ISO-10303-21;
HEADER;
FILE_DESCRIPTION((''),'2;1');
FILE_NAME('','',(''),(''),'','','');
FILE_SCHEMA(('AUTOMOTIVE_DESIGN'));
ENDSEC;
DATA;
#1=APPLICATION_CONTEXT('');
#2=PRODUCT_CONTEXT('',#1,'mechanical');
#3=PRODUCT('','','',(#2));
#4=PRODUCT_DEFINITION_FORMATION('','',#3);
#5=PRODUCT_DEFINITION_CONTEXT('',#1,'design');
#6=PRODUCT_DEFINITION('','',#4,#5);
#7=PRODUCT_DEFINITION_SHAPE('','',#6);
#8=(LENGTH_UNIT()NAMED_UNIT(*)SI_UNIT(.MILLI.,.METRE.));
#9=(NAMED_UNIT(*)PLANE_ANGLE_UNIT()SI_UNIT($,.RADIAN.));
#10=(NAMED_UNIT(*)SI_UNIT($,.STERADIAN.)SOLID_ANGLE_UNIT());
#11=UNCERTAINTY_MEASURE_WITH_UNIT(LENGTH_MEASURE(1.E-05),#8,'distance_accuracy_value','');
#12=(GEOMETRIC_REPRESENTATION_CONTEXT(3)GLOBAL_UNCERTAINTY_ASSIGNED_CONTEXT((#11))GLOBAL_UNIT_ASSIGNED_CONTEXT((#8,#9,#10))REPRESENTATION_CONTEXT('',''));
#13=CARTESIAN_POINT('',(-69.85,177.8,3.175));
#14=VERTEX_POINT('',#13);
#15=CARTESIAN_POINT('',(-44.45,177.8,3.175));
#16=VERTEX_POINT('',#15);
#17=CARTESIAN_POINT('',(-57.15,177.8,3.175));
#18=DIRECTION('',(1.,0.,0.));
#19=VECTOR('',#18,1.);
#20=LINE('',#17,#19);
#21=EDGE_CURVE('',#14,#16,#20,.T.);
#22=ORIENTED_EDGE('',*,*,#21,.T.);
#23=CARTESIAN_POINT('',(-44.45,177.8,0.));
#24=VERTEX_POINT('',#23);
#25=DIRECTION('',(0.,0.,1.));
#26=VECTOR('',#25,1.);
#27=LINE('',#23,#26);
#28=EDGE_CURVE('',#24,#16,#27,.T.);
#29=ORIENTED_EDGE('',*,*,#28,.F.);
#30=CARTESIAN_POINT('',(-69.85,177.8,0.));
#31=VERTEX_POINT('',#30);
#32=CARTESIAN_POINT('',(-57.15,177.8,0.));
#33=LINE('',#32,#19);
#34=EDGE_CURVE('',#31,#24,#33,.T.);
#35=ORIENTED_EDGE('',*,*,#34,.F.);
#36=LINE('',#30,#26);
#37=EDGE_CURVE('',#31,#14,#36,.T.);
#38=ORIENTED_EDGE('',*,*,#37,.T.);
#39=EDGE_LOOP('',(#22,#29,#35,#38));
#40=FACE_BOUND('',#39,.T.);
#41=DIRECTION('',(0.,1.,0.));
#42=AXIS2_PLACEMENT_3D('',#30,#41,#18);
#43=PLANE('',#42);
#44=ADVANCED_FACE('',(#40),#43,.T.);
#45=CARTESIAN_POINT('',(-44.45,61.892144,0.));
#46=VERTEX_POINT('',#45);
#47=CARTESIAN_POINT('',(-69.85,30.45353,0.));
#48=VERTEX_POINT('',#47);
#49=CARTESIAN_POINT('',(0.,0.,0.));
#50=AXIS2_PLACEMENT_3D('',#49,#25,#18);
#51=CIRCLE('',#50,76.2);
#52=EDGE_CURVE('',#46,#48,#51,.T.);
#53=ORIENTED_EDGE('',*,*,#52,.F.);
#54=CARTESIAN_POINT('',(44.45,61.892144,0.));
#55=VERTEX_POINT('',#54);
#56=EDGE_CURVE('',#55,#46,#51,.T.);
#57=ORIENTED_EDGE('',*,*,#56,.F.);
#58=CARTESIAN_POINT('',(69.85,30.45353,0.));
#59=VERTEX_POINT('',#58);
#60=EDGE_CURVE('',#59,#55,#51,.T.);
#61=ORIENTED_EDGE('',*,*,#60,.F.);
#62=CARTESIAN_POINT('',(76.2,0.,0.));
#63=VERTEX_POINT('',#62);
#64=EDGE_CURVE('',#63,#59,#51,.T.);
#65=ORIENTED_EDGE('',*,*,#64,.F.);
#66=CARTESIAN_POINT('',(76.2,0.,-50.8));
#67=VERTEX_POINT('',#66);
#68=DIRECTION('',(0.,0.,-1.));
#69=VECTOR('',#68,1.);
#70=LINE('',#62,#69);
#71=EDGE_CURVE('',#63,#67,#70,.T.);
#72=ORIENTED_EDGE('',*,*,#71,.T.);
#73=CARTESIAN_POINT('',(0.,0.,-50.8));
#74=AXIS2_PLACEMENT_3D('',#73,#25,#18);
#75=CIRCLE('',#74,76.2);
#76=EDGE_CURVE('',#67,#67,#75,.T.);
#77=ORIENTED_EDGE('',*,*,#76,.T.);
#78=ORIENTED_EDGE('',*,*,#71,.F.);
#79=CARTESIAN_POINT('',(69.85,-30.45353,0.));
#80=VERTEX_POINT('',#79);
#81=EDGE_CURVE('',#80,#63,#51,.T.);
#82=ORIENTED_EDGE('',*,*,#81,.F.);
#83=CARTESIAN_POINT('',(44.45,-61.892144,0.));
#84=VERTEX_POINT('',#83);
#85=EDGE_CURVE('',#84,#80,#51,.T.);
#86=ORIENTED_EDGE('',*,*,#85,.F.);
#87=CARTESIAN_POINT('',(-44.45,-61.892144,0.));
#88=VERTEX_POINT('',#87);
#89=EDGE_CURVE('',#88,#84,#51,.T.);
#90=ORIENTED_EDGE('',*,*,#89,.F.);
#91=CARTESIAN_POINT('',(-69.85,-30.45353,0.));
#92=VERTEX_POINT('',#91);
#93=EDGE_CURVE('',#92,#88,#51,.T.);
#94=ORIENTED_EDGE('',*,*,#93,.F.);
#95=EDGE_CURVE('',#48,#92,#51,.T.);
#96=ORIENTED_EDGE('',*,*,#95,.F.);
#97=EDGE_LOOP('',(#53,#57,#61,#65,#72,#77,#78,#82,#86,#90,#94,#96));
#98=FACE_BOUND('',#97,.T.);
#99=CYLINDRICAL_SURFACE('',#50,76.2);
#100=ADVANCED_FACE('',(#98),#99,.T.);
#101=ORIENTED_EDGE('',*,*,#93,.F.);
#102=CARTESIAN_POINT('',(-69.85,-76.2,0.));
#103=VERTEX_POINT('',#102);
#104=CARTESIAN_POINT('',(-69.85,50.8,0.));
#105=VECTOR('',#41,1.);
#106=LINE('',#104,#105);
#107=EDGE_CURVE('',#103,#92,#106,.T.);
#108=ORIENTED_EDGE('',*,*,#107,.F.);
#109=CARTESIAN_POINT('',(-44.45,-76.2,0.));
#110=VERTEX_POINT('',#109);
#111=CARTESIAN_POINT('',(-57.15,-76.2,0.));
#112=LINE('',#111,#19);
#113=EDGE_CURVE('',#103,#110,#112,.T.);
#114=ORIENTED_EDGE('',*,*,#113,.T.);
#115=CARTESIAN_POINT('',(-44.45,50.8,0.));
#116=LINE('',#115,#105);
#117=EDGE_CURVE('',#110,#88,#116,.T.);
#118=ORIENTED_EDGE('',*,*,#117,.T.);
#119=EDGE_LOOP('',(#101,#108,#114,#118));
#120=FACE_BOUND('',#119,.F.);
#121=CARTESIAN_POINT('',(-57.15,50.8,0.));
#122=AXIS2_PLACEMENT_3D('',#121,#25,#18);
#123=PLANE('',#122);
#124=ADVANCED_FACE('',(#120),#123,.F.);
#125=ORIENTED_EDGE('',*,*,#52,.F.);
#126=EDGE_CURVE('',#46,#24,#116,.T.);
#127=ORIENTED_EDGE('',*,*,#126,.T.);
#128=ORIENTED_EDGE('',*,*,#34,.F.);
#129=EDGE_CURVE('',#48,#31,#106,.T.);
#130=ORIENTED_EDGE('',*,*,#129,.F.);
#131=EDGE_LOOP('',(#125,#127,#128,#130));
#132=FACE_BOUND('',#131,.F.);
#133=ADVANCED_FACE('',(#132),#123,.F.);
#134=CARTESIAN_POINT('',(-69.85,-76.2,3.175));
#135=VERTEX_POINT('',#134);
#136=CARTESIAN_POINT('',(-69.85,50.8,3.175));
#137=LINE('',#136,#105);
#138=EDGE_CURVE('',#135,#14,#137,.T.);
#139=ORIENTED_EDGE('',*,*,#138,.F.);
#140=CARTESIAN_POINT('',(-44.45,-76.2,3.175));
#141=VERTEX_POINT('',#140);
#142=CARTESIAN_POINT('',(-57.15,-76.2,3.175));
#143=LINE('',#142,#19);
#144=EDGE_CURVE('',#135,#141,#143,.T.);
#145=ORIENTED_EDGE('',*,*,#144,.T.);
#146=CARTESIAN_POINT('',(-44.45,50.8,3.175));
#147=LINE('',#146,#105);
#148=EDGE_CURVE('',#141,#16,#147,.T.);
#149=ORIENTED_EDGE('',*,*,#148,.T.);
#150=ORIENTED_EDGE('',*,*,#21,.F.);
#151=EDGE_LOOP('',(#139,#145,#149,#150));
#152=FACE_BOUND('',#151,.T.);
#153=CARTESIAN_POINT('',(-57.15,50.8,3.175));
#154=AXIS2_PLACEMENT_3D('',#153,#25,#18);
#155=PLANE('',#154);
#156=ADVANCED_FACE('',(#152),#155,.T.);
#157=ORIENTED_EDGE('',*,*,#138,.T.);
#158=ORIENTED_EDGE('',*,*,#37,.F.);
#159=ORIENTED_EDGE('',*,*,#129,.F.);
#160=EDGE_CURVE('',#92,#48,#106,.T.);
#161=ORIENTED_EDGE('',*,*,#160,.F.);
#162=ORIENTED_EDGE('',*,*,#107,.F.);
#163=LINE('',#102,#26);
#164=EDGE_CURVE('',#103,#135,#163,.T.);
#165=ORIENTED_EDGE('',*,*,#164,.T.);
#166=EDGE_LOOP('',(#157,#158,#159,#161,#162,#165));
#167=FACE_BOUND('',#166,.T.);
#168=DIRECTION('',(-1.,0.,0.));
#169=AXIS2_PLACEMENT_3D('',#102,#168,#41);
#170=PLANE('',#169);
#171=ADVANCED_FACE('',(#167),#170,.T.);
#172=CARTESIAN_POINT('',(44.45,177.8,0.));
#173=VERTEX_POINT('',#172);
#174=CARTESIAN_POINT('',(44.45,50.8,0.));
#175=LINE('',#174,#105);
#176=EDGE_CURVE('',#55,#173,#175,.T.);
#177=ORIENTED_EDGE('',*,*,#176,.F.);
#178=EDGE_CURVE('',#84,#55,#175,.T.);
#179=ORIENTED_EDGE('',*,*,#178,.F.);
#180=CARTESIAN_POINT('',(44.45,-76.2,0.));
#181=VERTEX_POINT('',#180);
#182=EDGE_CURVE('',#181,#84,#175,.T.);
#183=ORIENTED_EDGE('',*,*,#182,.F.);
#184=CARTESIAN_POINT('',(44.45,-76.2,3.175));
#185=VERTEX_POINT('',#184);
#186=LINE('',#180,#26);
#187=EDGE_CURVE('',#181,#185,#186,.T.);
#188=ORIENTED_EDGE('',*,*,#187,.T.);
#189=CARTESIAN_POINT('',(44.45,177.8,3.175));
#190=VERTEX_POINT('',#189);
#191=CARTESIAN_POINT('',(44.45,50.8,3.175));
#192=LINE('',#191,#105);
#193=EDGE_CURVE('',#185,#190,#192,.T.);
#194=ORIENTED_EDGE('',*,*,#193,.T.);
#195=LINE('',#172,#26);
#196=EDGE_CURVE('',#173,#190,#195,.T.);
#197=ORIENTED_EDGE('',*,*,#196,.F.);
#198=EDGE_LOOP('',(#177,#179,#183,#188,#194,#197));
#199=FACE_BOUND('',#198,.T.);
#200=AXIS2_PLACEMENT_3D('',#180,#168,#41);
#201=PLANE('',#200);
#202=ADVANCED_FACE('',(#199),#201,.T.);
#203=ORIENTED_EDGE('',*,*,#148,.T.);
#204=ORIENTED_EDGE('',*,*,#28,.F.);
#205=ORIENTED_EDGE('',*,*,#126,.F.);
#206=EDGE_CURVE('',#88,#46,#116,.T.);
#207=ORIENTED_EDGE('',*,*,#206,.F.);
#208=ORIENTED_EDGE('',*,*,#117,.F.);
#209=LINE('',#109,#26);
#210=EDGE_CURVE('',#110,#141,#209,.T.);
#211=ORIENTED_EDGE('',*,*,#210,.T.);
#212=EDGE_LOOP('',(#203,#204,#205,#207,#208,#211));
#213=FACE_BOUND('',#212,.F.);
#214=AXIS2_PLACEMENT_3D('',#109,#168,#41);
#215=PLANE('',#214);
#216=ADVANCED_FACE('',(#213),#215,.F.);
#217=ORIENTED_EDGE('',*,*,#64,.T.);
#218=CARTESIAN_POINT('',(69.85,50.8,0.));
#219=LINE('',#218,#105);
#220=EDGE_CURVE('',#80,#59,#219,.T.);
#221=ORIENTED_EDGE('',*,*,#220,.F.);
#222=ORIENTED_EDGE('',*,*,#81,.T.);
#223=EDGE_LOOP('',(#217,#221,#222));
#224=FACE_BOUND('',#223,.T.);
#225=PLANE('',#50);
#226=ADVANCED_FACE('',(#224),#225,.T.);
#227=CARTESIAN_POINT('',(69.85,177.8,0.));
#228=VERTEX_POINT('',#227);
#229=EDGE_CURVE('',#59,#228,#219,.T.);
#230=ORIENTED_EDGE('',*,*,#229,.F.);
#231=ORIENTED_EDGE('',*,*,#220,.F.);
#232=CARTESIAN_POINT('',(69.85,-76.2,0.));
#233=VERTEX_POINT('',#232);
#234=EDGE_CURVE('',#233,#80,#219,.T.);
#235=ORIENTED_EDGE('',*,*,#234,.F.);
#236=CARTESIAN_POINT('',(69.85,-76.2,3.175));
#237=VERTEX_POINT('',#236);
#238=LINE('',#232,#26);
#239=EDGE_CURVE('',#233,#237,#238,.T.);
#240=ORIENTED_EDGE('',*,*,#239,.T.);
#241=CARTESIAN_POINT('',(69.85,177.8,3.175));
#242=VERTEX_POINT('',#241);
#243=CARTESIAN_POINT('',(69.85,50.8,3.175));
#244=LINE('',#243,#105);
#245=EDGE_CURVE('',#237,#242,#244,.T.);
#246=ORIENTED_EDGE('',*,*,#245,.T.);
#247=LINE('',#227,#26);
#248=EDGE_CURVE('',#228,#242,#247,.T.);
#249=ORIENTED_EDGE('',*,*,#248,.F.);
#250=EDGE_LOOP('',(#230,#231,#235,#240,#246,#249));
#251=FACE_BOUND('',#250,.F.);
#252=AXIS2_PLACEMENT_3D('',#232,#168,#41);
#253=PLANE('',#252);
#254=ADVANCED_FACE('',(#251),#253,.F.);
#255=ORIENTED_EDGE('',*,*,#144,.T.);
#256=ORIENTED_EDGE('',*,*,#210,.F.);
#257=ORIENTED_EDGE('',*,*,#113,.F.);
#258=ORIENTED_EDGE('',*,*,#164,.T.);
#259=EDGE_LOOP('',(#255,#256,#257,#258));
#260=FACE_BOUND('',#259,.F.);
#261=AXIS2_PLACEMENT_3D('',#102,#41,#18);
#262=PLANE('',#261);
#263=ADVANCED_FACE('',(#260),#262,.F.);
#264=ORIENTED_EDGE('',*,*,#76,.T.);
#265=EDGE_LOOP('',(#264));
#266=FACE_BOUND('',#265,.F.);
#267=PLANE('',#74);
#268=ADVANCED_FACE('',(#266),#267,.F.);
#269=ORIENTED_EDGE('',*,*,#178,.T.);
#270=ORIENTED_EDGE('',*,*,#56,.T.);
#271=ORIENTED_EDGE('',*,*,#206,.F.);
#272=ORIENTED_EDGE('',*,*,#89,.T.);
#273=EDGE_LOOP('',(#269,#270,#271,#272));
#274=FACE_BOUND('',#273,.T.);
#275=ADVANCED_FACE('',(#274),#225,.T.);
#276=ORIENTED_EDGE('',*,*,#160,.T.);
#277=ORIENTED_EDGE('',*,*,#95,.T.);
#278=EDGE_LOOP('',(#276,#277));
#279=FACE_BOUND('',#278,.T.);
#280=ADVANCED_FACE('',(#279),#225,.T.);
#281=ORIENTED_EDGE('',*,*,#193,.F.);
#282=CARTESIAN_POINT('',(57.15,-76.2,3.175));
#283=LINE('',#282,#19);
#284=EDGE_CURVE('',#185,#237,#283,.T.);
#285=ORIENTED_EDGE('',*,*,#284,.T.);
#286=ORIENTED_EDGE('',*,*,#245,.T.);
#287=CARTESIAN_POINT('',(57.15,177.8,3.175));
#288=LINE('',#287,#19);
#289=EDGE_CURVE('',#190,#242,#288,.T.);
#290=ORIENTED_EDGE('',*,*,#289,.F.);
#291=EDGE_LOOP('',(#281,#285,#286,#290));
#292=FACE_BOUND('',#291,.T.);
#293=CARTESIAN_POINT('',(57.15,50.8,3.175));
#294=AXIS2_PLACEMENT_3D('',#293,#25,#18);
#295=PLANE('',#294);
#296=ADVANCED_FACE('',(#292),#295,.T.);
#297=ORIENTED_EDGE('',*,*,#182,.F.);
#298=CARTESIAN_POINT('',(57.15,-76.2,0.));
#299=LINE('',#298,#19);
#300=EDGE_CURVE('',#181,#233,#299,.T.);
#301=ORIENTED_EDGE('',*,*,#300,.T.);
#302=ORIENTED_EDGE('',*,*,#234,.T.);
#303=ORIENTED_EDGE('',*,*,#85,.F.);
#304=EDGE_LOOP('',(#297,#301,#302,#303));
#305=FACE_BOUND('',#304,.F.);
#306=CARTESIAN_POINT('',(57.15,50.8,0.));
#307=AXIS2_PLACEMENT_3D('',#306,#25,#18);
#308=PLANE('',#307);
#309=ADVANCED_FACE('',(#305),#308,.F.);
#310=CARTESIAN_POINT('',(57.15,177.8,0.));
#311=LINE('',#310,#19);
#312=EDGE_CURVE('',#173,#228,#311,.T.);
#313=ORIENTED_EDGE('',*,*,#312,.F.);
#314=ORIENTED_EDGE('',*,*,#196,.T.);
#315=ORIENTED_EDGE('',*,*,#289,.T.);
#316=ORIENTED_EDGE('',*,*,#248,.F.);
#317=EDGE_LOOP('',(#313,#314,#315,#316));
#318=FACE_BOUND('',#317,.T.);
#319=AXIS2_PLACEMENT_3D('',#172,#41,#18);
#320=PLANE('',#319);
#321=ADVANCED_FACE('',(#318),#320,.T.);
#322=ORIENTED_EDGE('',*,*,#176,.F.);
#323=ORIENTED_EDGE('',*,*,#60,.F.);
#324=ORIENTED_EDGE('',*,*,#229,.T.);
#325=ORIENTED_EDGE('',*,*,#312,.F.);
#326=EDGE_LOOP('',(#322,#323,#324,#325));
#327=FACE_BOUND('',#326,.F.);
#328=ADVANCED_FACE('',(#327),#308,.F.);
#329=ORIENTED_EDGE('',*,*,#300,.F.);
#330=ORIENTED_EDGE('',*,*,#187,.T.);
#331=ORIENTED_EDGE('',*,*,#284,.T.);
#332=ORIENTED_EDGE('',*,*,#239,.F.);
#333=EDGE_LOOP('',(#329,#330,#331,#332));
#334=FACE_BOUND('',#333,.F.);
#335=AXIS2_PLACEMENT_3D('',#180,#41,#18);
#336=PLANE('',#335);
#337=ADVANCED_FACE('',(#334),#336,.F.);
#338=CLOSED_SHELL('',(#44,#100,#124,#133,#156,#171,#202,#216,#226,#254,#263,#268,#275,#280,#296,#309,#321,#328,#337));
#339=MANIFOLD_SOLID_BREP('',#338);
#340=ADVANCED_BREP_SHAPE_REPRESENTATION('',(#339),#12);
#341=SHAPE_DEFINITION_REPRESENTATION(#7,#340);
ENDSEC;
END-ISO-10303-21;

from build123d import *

# Parameters (mm, degrees)
F0_R     = 76.2
F1_DEPTH = 50.8
F2_W     = 25.4
F2_H     = 254
F3_DEPTH = 3.175


with BuildPart() as f1:
    # F0 (on Top) → F1 (new body)
    with BuildSketch(Plane.XY):
        Circle(F0_R)
    extrude(amount=-F1_DEPTH)

    # F2 (on Top) → F3 (join)
    with BuildSketch(Plane.XY):
        with Locations((-57.15, 50.8)):
            Rectangle(F2_W, F2_H)
        with Locations((57.15, 50.8)):
            Rectangle(F2_W, F2_H)
    extrude(amount=F3_DEPTH)


solid = f1.part
